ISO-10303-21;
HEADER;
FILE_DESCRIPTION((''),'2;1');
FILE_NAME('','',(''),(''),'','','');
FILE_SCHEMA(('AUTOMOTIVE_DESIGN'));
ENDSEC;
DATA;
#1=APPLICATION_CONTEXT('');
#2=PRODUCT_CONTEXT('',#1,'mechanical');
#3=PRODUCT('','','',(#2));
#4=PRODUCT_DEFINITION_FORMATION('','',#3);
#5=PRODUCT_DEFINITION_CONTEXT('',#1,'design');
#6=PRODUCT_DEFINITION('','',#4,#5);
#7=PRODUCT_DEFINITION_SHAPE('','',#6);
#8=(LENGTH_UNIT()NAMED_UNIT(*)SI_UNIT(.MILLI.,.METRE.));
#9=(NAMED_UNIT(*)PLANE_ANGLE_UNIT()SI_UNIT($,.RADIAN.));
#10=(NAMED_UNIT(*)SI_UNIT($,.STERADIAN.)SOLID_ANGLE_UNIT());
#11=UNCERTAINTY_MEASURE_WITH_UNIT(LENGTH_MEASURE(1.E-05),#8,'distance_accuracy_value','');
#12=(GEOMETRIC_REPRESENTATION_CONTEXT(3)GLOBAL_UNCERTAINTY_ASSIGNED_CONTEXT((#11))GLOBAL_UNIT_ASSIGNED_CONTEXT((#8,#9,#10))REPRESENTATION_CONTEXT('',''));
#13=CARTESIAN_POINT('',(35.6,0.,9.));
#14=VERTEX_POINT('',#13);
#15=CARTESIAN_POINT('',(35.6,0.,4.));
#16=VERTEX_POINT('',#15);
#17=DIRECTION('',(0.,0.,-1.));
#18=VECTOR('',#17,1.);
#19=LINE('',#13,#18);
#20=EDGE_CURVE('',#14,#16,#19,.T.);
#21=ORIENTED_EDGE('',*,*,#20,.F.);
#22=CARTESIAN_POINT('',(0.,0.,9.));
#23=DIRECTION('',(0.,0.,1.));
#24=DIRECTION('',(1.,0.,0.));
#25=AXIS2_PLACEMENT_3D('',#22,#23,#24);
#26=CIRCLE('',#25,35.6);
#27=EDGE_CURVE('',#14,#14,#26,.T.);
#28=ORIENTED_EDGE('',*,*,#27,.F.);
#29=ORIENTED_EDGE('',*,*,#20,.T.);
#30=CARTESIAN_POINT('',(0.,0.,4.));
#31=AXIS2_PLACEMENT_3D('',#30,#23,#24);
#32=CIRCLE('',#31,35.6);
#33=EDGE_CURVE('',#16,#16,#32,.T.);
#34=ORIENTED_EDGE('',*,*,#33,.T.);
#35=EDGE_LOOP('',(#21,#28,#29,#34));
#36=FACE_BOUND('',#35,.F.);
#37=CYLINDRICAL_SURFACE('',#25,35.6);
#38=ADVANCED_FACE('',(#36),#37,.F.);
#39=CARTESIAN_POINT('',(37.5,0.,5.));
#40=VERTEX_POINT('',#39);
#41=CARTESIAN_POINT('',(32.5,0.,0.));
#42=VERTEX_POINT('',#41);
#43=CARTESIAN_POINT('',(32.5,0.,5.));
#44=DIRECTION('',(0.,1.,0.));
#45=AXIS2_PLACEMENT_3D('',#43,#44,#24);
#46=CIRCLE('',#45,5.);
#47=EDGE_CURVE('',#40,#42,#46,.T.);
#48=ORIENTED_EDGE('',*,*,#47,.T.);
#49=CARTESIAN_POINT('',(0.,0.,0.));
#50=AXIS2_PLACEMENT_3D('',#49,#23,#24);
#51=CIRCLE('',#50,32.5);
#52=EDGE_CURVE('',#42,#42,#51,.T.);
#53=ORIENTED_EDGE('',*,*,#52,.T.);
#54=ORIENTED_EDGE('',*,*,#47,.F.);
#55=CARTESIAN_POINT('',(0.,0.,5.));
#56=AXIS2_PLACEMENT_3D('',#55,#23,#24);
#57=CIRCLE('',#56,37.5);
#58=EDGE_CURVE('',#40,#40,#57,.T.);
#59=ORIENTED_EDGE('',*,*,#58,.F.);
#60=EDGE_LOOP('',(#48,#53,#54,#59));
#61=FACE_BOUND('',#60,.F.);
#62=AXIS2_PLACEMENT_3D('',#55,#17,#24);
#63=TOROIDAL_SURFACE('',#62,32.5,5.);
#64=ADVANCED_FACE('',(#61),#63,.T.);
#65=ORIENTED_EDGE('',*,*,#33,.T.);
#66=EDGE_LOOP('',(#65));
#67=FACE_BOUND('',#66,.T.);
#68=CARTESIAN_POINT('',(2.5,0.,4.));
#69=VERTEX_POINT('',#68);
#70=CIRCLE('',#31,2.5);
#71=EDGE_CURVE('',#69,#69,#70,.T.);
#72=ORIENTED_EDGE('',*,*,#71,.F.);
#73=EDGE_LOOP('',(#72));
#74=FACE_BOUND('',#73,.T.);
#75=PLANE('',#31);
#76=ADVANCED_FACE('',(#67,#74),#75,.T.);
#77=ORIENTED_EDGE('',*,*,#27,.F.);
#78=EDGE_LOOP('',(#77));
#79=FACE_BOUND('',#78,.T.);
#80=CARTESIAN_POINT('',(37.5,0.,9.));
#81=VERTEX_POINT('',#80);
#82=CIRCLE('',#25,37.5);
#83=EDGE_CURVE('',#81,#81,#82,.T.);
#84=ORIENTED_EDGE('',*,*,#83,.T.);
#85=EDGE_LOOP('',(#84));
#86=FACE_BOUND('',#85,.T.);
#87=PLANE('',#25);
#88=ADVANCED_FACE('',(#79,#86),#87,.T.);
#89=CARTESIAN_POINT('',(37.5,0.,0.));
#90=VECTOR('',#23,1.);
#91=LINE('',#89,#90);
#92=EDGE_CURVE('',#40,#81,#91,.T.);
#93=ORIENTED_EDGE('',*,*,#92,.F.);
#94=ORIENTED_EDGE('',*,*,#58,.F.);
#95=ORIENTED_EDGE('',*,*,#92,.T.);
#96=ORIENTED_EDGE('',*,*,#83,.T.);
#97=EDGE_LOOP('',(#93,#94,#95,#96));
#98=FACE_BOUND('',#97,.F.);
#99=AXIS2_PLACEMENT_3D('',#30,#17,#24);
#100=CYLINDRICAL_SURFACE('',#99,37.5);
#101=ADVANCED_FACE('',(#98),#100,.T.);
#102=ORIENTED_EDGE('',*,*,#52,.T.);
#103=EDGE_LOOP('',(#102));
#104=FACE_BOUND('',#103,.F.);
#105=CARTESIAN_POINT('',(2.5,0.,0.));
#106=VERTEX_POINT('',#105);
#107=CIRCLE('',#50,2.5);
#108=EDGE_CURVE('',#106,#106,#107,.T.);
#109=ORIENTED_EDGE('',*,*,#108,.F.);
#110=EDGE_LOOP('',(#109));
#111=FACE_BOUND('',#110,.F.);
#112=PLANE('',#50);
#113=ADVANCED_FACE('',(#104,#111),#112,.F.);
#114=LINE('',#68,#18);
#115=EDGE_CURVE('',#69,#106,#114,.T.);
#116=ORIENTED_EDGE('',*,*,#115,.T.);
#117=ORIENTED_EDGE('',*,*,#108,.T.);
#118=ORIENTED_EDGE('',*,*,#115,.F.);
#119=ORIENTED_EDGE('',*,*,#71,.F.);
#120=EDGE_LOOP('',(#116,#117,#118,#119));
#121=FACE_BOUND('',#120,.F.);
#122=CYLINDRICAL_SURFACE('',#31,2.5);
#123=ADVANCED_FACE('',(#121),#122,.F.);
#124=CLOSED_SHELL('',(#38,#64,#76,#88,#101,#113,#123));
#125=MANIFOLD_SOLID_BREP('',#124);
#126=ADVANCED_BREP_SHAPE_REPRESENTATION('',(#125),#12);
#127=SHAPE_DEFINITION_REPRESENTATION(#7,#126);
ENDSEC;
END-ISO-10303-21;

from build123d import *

# Parameters (mm, degrees)
F0_R     = 37.5
F1_DEPTH = 4
F2_R     = 37.5
F2_R_2   = 33.5
F3_DEPTH = 5
F4_R     = 35.6
F5_DEPTH = 5
F6_R     = 2.5
F7_DEPTH = 4.001
F8_R     = 5


with BuildPart() as f1:
    # F0 (on Top) → F1 (new body)
    with BuildSketch(Plane.XY):
        Circle(F0_R)
    extrude(amount=F1_DEPTH)

    # F2 (on face) → F3 (join)
    with BuildSketch(Plane.XY.offset(4)):
        Circle(F2_R)
        Circle(F2_R_2, mode=Mode.SUBTRACT)
    extrude(amount=F3_DEPTH)

    # F4 (on face) → F5 (cut)
    with BuildSketch(Plane.XY.offset(9)):
        Circle(F4_R)
    extrude(amount=-F5_DEPTH, mode=Mode.SUBTRACT)

    # F6 (on face) → F7 (cut, through all)
    with BuildSketch(Plane.XY.offset(4)):
        Circle(F6_R)
    extrude(amount=-F7_DEPTH, mode=Mode.SUBTRACT)

    # F8
    f8_edges = [f1.edges().sort_by_distance(p)[0] for p in [
        (-37.5, 0, 0),
    ]]
    fillet(f8_edges, radius=F8_R)


solid = f1.part
